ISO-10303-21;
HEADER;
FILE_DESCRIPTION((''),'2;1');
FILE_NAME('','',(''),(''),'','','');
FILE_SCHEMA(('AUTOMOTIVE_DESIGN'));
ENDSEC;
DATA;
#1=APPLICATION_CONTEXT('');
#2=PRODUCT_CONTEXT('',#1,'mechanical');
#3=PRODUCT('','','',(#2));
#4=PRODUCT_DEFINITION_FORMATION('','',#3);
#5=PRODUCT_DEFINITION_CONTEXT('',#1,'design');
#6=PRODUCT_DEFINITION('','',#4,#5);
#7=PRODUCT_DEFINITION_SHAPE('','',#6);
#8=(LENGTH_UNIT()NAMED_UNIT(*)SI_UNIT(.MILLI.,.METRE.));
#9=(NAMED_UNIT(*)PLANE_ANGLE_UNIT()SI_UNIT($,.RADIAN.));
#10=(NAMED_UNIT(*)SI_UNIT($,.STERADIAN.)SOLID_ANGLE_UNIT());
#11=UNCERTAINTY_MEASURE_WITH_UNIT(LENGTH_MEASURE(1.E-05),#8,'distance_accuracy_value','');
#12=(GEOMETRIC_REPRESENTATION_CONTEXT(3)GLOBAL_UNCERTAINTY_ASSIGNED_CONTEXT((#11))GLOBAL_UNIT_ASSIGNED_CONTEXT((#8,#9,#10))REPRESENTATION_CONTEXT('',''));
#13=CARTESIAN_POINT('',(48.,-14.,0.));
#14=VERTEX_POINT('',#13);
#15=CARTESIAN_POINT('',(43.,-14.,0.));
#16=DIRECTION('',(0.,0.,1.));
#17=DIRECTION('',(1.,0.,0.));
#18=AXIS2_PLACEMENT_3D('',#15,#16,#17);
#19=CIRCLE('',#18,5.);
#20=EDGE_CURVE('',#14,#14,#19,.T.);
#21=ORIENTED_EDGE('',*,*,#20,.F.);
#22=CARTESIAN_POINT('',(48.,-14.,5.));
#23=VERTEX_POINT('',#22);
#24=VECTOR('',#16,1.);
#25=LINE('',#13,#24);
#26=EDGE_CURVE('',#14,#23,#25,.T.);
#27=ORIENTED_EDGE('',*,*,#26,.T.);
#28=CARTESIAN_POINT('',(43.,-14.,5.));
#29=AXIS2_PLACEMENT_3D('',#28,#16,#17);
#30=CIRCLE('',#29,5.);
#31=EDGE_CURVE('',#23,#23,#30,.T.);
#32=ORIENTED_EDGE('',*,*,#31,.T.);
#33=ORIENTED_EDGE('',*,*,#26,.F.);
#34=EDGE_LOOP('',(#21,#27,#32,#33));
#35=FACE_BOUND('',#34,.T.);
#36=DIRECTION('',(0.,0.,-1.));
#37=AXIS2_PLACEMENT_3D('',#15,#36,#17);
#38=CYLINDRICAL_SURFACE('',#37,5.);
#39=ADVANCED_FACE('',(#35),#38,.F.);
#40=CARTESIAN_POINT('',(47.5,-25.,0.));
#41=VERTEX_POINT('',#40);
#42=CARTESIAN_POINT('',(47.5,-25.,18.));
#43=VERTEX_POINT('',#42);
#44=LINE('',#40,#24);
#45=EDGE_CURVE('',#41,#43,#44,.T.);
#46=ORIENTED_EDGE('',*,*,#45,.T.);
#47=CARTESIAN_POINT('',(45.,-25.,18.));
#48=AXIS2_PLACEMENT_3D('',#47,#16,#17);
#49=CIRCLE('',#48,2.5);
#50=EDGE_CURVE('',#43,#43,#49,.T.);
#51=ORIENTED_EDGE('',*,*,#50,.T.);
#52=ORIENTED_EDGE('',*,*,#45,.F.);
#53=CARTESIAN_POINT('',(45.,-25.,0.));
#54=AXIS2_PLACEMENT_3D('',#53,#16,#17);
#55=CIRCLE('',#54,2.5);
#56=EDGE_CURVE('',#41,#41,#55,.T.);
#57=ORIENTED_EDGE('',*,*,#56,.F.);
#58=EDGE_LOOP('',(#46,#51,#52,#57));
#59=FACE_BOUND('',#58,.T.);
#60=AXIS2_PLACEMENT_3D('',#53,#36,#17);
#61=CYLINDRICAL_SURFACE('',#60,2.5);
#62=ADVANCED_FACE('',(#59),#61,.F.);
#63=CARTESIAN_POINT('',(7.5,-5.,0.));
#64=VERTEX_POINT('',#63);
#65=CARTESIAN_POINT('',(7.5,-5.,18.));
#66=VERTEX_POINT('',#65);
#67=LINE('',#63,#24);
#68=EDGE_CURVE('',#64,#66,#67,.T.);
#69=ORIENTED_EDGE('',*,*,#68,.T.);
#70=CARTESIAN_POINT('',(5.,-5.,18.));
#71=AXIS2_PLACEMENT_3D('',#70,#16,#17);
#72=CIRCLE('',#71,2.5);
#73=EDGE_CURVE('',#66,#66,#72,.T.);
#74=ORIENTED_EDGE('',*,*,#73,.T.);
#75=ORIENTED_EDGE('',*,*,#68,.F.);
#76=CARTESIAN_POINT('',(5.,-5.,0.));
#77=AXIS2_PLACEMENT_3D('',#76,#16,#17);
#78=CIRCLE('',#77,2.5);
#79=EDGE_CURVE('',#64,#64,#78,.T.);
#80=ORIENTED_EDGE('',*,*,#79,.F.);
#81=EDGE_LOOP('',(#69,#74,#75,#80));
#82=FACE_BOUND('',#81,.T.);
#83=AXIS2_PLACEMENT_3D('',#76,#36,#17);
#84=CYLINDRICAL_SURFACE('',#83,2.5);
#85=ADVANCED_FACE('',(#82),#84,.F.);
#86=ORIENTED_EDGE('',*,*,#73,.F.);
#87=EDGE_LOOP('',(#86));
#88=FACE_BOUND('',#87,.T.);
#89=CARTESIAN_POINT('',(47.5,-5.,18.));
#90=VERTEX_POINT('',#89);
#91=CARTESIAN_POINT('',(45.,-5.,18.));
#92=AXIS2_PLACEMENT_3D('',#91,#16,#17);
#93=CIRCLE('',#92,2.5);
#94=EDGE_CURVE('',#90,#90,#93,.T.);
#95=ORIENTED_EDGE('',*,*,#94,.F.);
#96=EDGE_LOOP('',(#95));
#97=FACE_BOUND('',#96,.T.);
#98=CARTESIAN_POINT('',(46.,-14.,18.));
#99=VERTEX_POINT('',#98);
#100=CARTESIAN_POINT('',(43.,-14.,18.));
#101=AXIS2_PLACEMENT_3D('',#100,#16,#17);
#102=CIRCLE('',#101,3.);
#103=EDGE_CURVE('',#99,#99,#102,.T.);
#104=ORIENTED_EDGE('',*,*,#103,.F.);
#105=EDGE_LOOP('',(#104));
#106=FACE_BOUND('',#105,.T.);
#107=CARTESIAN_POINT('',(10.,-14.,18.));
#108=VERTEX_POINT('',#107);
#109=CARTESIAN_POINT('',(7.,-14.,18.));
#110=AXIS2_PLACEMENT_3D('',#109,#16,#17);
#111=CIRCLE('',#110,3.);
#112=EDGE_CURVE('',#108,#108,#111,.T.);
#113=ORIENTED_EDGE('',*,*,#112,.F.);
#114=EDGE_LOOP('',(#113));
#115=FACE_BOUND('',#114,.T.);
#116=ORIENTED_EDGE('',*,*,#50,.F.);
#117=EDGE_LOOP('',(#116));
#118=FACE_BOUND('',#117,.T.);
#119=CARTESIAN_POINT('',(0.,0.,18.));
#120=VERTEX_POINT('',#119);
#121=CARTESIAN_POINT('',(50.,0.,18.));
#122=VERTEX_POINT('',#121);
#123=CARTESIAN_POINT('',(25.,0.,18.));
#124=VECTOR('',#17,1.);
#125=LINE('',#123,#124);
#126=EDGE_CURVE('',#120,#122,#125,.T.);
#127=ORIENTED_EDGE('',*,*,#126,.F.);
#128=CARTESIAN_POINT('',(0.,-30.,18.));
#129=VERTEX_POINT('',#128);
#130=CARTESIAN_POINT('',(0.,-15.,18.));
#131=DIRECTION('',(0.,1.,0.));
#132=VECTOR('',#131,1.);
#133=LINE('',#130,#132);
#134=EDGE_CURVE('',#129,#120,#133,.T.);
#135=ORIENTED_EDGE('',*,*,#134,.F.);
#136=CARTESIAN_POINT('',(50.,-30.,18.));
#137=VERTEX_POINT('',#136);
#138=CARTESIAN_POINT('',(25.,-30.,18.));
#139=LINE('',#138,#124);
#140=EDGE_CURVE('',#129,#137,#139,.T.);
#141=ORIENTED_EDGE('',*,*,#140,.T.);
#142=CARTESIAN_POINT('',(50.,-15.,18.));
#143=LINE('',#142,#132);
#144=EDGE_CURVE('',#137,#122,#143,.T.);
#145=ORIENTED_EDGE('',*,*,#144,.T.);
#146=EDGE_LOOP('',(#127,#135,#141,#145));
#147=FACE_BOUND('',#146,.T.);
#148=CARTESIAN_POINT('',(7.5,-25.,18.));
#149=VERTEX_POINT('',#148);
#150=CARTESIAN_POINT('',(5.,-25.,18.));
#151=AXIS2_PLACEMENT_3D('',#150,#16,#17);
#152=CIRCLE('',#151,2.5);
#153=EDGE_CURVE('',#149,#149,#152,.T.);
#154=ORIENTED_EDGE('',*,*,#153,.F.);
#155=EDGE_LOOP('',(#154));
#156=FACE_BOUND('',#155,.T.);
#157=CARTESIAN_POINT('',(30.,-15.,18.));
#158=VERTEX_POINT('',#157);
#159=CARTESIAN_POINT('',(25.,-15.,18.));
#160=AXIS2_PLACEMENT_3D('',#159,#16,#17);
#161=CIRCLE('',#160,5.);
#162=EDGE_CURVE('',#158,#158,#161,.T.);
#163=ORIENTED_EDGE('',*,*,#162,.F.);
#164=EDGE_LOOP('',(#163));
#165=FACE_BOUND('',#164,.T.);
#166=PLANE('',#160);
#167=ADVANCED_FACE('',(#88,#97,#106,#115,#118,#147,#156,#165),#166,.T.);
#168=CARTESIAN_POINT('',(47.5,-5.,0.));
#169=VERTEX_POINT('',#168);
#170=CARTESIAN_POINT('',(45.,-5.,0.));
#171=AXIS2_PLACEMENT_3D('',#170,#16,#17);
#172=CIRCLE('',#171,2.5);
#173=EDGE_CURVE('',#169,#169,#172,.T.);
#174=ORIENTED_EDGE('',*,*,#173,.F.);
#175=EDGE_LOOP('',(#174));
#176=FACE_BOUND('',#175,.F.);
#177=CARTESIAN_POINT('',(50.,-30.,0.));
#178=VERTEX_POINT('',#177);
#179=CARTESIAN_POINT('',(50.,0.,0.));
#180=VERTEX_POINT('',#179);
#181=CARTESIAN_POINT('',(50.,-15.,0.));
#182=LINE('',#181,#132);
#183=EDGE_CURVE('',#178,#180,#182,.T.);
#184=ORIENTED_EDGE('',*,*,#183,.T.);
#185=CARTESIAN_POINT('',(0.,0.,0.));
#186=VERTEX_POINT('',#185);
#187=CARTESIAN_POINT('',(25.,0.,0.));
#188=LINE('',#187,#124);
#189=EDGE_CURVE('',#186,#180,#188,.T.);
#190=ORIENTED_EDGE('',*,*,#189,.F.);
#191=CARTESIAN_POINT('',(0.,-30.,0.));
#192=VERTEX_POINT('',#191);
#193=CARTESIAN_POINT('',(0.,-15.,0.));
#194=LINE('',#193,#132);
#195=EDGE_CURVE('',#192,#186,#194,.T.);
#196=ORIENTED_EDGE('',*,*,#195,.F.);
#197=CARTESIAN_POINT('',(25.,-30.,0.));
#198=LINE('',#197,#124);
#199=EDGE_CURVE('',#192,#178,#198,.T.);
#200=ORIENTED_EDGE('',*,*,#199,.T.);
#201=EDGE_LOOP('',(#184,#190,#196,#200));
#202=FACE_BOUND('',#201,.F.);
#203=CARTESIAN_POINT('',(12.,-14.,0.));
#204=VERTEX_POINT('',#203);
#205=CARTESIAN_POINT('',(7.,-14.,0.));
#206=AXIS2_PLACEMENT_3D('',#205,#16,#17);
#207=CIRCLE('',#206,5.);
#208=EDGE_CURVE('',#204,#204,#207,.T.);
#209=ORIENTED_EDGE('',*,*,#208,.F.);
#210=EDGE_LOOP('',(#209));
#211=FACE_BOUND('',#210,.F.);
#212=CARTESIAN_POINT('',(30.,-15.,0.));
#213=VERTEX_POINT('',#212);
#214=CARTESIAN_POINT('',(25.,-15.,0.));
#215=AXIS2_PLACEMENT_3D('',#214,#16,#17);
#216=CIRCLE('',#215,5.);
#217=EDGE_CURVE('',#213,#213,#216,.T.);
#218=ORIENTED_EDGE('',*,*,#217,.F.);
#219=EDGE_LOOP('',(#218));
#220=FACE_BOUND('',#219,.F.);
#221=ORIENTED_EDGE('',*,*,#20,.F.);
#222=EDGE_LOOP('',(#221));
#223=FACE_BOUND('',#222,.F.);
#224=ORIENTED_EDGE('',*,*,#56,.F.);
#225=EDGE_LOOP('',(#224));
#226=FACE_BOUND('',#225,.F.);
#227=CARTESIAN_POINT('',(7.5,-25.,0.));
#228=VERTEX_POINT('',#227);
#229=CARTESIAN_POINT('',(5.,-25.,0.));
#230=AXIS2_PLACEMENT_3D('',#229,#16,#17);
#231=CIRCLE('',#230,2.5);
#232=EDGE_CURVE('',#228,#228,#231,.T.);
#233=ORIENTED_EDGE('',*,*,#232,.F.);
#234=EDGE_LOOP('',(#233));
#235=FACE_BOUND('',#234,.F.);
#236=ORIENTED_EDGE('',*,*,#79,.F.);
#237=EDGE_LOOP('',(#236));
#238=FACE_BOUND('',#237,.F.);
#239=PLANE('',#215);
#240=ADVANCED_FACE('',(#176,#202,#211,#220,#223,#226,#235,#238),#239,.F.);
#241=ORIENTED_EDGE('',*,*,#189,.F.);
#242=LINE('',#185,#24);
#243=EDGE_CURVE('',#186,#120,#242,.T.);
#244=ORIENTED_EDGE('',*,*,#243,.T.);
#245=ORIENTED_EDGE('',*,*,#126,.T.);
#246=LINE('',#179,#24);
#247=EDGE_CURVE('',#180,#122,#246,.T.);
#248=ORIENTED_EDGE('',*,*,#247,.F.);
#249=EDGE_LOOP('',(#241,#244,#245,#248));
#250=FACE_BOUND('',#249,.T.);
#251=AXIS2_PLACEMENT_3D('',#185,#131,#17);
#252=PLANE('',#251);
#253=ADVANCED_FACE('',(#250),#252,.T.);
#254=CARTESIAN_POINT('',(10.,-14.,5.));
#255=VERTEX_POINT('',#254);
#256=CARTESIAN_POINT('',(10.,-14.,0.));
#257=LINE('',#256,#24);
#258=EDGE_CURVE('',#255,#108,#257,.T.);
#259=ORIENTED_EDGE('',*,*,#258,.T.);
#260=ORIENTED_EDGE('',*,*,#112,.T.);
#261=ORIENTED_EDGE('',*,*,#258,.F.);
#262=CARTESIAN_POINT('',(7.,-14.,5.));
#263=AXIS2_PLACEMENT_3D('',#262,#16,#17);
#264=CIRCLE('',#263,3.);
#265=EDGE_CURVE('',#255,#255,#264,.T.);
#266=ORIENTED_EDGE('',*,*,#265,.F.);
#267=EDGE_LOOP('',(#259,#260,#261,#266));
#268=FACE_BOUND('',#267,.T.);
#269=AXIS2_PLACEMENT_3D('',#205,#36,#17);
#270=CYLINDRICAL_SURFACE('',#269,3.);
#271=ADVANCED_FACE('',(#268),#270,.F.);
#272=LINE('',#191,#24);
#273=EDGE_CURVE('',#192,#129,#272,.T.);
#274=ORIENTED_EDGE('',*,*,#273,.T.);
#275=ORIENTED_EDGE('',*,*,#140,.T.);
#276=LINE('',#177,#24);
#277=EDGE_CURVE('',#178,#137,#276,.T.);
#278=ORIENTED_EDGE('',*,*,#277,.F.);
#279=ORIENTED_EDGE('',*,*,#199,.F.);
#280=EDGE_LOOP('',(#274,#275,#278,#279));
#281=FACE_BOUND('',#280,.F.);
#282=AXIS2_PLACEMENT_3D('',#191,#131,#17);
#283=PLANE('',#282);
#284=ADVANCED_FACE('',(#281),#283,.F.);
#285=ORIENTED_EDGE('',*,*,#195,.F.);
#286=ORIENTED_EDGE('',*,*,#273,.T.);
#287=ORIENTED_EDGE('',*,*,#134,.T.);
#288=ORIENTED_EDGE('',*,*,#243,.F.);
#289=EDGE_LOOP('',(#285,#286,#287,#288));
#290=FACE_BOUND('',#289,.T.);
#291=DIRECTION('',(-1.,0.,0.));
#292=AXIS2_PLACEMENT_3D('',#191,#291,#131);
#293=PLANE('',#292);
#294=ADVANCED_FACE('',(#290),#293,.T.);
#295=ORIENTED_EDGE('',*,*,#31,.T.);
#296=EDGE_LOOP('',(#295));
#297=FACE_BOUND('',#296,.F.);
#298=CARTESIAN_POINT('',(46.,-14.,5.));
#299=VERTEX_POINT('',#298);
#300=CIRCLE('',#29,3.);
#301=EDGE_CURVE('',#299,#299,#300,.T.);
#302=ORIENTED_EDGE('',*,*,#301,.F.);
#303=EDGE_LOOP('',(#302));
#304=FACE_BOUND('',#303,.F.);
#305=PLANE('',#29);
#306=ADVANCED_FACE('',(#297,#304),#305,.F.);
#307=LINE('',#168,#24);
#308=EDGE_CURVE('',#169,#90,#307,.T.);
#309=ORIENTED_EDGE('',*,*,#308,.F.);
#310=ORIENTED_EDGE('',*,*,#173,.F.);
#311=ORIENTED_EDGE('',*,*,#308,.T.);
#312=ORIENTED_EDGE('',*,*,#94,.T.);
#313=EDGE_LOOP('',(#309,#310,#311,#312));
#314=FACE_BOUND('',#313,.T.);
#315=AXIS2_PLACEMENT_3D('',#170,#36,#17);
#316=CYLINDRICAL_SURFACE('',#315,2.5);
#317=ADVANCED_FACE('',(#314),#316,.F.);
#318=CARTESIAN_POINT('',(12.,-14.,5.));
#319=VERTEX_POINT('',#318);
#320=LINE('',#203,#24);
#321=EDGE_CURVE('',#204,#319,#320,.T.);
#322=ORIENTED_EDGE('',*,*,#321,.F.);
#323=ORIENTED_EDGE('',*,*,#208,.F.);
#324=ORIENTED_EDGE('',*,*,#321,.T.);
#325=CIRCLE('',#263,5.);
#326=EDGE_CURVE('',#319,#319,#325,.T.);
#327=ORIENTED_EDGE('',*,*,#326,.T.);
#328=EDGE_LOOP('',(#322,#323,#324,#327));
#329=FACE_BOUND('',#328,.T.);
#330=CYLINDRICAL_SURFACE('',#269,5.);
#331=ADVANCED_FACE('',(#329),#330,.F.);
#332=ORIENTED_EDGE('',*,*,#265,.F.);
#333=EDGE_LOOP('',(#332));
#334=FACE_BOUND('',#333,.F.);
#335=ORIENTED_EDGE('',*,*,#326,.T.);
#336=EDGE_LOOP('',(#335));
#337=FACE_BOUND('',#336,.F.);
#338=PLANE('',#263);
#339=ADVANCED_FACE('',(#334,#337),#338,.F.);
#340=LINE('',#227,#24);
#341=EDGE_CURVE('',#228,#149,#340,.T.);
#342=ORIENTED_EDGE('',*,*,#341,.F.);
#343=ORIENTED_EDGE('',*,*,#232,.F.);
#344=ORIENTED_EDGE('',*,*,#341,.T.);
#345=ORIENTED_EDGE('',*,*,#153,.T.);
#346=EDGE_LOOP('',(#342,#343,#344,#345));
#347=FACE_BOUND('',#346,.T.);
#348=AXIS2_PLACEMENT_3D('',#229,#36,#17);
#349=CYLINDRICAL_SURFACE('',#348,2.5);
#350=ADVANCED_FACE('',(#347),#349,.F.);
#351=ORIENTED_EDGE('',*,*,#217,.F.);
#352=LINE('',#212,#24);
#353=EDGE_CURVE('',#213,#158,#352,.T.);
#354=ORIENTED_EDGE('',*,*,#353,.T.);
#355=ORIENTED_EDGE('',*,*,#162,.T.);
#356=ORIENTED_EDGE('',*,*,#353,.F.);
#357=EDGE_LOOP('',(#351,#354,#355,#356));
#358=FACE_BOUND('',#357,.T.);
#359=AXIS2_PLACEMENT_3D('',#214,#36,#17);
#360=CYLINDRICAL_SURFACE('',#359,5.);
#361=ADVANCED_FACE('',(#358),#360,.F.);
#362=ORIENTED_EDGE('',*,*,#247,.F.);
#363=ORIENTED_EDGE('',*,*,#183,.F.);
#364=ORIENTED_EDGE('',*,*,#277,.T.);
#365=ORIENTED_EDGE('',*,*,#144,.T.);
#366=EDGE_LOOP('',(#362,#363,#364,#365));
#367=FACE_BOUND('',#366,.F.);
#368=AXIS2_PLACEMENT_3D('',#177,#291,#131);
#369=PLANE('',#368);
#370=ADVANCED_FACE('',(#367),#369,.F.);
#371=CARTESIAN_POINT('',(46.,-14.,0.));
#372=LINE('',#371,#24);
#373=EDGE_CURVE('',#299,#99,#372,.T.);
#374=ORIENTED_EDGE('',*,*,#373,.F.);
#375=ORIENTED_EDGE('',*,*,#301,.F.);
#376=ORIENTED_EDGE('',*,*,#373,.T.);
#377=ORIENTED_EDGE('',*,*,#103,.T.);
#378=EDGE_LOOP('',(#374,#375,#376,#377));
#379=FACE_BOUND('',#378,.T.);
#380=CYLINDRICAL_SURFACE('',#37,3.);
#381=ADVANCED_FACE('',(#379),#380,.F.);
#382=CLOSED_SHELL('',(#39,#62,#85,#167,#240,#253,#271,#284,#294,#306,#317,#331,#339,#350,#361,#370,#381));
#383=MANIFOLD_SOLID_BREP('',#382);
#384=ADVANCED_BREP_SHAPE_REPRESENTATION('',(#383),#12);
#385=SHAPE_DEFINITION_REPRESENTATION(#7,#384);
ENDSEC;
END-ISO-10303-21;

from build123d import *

# Parameters (mm, degrees)
F0_W     = 50
F0_H     = 30
F0_R     = 2.5
F0_R_2   = 5
F0_R_3   = 3
F1_DEPTH = 18
F2_DEPTH = 5


with BuildPart() as f1:
    # F0 (on Top) → F1 (new body)
    with BuildSketch(Plane.XY):
        with Locations((25, -15)):
            Rectangle(F0_W, F0_H)
        with Locations((5, -25)):
            Circle(F0_R, mode=Mode.SUBTRACT)
        with Locations((45, -25)):
            Circle(F0_R, mode=Mode.SUBTRACT)
        with Locations((7, -14)):
            Circle(F0_R_2, mode=Mode.SUBTRACT)
        with Locations((5, -5)):
            Circle(F0_R, mode=Mode.SUBTRACT)
        with Locations((25, -15)):
            Circle(F0_R_2, mode=Mode.SUBTRACT)
        with Locations((43, -14)):
            Circle(F0_R_2, mode=Mode.SUBTRACT)
        with Locations((45, -5)):
            Circle(F0_R, mode=Mode.SUBTRACT)
        with Locations((7, -14)):
            Circle(F0_R_2)
        with Locations((7, -14)):
            Circle(F0_R_3, mode=Mode.SUBTRACT)
        with Locations((43, -14)):
            Circle(F0_R_2)
        with Locations((43, -14)):
            Circle(F0_R_3, mode=Mode.SUBTRACT)
    extrude(amount=F1_DEPTH)

    # F0 (on Top) → F2 (cut)
    with BuildSketch(Plane.XY):
        with Locations((7, -14)):
            Circle(F0_R_2)
        with Locations((7, -14)):
            Circle(F0_R_3, mode=Mode.SUBTRACT)
        with Locations((43, -14)):
            Circle(F0_R_2)
        with Locations((43, -14)):
            Circle(F0_R_3, mode=Mode.SUBTRACT)
    extrude(amount=F2_DEPTH, mode=Mode.SUBTRACT)


solid = f1.part
